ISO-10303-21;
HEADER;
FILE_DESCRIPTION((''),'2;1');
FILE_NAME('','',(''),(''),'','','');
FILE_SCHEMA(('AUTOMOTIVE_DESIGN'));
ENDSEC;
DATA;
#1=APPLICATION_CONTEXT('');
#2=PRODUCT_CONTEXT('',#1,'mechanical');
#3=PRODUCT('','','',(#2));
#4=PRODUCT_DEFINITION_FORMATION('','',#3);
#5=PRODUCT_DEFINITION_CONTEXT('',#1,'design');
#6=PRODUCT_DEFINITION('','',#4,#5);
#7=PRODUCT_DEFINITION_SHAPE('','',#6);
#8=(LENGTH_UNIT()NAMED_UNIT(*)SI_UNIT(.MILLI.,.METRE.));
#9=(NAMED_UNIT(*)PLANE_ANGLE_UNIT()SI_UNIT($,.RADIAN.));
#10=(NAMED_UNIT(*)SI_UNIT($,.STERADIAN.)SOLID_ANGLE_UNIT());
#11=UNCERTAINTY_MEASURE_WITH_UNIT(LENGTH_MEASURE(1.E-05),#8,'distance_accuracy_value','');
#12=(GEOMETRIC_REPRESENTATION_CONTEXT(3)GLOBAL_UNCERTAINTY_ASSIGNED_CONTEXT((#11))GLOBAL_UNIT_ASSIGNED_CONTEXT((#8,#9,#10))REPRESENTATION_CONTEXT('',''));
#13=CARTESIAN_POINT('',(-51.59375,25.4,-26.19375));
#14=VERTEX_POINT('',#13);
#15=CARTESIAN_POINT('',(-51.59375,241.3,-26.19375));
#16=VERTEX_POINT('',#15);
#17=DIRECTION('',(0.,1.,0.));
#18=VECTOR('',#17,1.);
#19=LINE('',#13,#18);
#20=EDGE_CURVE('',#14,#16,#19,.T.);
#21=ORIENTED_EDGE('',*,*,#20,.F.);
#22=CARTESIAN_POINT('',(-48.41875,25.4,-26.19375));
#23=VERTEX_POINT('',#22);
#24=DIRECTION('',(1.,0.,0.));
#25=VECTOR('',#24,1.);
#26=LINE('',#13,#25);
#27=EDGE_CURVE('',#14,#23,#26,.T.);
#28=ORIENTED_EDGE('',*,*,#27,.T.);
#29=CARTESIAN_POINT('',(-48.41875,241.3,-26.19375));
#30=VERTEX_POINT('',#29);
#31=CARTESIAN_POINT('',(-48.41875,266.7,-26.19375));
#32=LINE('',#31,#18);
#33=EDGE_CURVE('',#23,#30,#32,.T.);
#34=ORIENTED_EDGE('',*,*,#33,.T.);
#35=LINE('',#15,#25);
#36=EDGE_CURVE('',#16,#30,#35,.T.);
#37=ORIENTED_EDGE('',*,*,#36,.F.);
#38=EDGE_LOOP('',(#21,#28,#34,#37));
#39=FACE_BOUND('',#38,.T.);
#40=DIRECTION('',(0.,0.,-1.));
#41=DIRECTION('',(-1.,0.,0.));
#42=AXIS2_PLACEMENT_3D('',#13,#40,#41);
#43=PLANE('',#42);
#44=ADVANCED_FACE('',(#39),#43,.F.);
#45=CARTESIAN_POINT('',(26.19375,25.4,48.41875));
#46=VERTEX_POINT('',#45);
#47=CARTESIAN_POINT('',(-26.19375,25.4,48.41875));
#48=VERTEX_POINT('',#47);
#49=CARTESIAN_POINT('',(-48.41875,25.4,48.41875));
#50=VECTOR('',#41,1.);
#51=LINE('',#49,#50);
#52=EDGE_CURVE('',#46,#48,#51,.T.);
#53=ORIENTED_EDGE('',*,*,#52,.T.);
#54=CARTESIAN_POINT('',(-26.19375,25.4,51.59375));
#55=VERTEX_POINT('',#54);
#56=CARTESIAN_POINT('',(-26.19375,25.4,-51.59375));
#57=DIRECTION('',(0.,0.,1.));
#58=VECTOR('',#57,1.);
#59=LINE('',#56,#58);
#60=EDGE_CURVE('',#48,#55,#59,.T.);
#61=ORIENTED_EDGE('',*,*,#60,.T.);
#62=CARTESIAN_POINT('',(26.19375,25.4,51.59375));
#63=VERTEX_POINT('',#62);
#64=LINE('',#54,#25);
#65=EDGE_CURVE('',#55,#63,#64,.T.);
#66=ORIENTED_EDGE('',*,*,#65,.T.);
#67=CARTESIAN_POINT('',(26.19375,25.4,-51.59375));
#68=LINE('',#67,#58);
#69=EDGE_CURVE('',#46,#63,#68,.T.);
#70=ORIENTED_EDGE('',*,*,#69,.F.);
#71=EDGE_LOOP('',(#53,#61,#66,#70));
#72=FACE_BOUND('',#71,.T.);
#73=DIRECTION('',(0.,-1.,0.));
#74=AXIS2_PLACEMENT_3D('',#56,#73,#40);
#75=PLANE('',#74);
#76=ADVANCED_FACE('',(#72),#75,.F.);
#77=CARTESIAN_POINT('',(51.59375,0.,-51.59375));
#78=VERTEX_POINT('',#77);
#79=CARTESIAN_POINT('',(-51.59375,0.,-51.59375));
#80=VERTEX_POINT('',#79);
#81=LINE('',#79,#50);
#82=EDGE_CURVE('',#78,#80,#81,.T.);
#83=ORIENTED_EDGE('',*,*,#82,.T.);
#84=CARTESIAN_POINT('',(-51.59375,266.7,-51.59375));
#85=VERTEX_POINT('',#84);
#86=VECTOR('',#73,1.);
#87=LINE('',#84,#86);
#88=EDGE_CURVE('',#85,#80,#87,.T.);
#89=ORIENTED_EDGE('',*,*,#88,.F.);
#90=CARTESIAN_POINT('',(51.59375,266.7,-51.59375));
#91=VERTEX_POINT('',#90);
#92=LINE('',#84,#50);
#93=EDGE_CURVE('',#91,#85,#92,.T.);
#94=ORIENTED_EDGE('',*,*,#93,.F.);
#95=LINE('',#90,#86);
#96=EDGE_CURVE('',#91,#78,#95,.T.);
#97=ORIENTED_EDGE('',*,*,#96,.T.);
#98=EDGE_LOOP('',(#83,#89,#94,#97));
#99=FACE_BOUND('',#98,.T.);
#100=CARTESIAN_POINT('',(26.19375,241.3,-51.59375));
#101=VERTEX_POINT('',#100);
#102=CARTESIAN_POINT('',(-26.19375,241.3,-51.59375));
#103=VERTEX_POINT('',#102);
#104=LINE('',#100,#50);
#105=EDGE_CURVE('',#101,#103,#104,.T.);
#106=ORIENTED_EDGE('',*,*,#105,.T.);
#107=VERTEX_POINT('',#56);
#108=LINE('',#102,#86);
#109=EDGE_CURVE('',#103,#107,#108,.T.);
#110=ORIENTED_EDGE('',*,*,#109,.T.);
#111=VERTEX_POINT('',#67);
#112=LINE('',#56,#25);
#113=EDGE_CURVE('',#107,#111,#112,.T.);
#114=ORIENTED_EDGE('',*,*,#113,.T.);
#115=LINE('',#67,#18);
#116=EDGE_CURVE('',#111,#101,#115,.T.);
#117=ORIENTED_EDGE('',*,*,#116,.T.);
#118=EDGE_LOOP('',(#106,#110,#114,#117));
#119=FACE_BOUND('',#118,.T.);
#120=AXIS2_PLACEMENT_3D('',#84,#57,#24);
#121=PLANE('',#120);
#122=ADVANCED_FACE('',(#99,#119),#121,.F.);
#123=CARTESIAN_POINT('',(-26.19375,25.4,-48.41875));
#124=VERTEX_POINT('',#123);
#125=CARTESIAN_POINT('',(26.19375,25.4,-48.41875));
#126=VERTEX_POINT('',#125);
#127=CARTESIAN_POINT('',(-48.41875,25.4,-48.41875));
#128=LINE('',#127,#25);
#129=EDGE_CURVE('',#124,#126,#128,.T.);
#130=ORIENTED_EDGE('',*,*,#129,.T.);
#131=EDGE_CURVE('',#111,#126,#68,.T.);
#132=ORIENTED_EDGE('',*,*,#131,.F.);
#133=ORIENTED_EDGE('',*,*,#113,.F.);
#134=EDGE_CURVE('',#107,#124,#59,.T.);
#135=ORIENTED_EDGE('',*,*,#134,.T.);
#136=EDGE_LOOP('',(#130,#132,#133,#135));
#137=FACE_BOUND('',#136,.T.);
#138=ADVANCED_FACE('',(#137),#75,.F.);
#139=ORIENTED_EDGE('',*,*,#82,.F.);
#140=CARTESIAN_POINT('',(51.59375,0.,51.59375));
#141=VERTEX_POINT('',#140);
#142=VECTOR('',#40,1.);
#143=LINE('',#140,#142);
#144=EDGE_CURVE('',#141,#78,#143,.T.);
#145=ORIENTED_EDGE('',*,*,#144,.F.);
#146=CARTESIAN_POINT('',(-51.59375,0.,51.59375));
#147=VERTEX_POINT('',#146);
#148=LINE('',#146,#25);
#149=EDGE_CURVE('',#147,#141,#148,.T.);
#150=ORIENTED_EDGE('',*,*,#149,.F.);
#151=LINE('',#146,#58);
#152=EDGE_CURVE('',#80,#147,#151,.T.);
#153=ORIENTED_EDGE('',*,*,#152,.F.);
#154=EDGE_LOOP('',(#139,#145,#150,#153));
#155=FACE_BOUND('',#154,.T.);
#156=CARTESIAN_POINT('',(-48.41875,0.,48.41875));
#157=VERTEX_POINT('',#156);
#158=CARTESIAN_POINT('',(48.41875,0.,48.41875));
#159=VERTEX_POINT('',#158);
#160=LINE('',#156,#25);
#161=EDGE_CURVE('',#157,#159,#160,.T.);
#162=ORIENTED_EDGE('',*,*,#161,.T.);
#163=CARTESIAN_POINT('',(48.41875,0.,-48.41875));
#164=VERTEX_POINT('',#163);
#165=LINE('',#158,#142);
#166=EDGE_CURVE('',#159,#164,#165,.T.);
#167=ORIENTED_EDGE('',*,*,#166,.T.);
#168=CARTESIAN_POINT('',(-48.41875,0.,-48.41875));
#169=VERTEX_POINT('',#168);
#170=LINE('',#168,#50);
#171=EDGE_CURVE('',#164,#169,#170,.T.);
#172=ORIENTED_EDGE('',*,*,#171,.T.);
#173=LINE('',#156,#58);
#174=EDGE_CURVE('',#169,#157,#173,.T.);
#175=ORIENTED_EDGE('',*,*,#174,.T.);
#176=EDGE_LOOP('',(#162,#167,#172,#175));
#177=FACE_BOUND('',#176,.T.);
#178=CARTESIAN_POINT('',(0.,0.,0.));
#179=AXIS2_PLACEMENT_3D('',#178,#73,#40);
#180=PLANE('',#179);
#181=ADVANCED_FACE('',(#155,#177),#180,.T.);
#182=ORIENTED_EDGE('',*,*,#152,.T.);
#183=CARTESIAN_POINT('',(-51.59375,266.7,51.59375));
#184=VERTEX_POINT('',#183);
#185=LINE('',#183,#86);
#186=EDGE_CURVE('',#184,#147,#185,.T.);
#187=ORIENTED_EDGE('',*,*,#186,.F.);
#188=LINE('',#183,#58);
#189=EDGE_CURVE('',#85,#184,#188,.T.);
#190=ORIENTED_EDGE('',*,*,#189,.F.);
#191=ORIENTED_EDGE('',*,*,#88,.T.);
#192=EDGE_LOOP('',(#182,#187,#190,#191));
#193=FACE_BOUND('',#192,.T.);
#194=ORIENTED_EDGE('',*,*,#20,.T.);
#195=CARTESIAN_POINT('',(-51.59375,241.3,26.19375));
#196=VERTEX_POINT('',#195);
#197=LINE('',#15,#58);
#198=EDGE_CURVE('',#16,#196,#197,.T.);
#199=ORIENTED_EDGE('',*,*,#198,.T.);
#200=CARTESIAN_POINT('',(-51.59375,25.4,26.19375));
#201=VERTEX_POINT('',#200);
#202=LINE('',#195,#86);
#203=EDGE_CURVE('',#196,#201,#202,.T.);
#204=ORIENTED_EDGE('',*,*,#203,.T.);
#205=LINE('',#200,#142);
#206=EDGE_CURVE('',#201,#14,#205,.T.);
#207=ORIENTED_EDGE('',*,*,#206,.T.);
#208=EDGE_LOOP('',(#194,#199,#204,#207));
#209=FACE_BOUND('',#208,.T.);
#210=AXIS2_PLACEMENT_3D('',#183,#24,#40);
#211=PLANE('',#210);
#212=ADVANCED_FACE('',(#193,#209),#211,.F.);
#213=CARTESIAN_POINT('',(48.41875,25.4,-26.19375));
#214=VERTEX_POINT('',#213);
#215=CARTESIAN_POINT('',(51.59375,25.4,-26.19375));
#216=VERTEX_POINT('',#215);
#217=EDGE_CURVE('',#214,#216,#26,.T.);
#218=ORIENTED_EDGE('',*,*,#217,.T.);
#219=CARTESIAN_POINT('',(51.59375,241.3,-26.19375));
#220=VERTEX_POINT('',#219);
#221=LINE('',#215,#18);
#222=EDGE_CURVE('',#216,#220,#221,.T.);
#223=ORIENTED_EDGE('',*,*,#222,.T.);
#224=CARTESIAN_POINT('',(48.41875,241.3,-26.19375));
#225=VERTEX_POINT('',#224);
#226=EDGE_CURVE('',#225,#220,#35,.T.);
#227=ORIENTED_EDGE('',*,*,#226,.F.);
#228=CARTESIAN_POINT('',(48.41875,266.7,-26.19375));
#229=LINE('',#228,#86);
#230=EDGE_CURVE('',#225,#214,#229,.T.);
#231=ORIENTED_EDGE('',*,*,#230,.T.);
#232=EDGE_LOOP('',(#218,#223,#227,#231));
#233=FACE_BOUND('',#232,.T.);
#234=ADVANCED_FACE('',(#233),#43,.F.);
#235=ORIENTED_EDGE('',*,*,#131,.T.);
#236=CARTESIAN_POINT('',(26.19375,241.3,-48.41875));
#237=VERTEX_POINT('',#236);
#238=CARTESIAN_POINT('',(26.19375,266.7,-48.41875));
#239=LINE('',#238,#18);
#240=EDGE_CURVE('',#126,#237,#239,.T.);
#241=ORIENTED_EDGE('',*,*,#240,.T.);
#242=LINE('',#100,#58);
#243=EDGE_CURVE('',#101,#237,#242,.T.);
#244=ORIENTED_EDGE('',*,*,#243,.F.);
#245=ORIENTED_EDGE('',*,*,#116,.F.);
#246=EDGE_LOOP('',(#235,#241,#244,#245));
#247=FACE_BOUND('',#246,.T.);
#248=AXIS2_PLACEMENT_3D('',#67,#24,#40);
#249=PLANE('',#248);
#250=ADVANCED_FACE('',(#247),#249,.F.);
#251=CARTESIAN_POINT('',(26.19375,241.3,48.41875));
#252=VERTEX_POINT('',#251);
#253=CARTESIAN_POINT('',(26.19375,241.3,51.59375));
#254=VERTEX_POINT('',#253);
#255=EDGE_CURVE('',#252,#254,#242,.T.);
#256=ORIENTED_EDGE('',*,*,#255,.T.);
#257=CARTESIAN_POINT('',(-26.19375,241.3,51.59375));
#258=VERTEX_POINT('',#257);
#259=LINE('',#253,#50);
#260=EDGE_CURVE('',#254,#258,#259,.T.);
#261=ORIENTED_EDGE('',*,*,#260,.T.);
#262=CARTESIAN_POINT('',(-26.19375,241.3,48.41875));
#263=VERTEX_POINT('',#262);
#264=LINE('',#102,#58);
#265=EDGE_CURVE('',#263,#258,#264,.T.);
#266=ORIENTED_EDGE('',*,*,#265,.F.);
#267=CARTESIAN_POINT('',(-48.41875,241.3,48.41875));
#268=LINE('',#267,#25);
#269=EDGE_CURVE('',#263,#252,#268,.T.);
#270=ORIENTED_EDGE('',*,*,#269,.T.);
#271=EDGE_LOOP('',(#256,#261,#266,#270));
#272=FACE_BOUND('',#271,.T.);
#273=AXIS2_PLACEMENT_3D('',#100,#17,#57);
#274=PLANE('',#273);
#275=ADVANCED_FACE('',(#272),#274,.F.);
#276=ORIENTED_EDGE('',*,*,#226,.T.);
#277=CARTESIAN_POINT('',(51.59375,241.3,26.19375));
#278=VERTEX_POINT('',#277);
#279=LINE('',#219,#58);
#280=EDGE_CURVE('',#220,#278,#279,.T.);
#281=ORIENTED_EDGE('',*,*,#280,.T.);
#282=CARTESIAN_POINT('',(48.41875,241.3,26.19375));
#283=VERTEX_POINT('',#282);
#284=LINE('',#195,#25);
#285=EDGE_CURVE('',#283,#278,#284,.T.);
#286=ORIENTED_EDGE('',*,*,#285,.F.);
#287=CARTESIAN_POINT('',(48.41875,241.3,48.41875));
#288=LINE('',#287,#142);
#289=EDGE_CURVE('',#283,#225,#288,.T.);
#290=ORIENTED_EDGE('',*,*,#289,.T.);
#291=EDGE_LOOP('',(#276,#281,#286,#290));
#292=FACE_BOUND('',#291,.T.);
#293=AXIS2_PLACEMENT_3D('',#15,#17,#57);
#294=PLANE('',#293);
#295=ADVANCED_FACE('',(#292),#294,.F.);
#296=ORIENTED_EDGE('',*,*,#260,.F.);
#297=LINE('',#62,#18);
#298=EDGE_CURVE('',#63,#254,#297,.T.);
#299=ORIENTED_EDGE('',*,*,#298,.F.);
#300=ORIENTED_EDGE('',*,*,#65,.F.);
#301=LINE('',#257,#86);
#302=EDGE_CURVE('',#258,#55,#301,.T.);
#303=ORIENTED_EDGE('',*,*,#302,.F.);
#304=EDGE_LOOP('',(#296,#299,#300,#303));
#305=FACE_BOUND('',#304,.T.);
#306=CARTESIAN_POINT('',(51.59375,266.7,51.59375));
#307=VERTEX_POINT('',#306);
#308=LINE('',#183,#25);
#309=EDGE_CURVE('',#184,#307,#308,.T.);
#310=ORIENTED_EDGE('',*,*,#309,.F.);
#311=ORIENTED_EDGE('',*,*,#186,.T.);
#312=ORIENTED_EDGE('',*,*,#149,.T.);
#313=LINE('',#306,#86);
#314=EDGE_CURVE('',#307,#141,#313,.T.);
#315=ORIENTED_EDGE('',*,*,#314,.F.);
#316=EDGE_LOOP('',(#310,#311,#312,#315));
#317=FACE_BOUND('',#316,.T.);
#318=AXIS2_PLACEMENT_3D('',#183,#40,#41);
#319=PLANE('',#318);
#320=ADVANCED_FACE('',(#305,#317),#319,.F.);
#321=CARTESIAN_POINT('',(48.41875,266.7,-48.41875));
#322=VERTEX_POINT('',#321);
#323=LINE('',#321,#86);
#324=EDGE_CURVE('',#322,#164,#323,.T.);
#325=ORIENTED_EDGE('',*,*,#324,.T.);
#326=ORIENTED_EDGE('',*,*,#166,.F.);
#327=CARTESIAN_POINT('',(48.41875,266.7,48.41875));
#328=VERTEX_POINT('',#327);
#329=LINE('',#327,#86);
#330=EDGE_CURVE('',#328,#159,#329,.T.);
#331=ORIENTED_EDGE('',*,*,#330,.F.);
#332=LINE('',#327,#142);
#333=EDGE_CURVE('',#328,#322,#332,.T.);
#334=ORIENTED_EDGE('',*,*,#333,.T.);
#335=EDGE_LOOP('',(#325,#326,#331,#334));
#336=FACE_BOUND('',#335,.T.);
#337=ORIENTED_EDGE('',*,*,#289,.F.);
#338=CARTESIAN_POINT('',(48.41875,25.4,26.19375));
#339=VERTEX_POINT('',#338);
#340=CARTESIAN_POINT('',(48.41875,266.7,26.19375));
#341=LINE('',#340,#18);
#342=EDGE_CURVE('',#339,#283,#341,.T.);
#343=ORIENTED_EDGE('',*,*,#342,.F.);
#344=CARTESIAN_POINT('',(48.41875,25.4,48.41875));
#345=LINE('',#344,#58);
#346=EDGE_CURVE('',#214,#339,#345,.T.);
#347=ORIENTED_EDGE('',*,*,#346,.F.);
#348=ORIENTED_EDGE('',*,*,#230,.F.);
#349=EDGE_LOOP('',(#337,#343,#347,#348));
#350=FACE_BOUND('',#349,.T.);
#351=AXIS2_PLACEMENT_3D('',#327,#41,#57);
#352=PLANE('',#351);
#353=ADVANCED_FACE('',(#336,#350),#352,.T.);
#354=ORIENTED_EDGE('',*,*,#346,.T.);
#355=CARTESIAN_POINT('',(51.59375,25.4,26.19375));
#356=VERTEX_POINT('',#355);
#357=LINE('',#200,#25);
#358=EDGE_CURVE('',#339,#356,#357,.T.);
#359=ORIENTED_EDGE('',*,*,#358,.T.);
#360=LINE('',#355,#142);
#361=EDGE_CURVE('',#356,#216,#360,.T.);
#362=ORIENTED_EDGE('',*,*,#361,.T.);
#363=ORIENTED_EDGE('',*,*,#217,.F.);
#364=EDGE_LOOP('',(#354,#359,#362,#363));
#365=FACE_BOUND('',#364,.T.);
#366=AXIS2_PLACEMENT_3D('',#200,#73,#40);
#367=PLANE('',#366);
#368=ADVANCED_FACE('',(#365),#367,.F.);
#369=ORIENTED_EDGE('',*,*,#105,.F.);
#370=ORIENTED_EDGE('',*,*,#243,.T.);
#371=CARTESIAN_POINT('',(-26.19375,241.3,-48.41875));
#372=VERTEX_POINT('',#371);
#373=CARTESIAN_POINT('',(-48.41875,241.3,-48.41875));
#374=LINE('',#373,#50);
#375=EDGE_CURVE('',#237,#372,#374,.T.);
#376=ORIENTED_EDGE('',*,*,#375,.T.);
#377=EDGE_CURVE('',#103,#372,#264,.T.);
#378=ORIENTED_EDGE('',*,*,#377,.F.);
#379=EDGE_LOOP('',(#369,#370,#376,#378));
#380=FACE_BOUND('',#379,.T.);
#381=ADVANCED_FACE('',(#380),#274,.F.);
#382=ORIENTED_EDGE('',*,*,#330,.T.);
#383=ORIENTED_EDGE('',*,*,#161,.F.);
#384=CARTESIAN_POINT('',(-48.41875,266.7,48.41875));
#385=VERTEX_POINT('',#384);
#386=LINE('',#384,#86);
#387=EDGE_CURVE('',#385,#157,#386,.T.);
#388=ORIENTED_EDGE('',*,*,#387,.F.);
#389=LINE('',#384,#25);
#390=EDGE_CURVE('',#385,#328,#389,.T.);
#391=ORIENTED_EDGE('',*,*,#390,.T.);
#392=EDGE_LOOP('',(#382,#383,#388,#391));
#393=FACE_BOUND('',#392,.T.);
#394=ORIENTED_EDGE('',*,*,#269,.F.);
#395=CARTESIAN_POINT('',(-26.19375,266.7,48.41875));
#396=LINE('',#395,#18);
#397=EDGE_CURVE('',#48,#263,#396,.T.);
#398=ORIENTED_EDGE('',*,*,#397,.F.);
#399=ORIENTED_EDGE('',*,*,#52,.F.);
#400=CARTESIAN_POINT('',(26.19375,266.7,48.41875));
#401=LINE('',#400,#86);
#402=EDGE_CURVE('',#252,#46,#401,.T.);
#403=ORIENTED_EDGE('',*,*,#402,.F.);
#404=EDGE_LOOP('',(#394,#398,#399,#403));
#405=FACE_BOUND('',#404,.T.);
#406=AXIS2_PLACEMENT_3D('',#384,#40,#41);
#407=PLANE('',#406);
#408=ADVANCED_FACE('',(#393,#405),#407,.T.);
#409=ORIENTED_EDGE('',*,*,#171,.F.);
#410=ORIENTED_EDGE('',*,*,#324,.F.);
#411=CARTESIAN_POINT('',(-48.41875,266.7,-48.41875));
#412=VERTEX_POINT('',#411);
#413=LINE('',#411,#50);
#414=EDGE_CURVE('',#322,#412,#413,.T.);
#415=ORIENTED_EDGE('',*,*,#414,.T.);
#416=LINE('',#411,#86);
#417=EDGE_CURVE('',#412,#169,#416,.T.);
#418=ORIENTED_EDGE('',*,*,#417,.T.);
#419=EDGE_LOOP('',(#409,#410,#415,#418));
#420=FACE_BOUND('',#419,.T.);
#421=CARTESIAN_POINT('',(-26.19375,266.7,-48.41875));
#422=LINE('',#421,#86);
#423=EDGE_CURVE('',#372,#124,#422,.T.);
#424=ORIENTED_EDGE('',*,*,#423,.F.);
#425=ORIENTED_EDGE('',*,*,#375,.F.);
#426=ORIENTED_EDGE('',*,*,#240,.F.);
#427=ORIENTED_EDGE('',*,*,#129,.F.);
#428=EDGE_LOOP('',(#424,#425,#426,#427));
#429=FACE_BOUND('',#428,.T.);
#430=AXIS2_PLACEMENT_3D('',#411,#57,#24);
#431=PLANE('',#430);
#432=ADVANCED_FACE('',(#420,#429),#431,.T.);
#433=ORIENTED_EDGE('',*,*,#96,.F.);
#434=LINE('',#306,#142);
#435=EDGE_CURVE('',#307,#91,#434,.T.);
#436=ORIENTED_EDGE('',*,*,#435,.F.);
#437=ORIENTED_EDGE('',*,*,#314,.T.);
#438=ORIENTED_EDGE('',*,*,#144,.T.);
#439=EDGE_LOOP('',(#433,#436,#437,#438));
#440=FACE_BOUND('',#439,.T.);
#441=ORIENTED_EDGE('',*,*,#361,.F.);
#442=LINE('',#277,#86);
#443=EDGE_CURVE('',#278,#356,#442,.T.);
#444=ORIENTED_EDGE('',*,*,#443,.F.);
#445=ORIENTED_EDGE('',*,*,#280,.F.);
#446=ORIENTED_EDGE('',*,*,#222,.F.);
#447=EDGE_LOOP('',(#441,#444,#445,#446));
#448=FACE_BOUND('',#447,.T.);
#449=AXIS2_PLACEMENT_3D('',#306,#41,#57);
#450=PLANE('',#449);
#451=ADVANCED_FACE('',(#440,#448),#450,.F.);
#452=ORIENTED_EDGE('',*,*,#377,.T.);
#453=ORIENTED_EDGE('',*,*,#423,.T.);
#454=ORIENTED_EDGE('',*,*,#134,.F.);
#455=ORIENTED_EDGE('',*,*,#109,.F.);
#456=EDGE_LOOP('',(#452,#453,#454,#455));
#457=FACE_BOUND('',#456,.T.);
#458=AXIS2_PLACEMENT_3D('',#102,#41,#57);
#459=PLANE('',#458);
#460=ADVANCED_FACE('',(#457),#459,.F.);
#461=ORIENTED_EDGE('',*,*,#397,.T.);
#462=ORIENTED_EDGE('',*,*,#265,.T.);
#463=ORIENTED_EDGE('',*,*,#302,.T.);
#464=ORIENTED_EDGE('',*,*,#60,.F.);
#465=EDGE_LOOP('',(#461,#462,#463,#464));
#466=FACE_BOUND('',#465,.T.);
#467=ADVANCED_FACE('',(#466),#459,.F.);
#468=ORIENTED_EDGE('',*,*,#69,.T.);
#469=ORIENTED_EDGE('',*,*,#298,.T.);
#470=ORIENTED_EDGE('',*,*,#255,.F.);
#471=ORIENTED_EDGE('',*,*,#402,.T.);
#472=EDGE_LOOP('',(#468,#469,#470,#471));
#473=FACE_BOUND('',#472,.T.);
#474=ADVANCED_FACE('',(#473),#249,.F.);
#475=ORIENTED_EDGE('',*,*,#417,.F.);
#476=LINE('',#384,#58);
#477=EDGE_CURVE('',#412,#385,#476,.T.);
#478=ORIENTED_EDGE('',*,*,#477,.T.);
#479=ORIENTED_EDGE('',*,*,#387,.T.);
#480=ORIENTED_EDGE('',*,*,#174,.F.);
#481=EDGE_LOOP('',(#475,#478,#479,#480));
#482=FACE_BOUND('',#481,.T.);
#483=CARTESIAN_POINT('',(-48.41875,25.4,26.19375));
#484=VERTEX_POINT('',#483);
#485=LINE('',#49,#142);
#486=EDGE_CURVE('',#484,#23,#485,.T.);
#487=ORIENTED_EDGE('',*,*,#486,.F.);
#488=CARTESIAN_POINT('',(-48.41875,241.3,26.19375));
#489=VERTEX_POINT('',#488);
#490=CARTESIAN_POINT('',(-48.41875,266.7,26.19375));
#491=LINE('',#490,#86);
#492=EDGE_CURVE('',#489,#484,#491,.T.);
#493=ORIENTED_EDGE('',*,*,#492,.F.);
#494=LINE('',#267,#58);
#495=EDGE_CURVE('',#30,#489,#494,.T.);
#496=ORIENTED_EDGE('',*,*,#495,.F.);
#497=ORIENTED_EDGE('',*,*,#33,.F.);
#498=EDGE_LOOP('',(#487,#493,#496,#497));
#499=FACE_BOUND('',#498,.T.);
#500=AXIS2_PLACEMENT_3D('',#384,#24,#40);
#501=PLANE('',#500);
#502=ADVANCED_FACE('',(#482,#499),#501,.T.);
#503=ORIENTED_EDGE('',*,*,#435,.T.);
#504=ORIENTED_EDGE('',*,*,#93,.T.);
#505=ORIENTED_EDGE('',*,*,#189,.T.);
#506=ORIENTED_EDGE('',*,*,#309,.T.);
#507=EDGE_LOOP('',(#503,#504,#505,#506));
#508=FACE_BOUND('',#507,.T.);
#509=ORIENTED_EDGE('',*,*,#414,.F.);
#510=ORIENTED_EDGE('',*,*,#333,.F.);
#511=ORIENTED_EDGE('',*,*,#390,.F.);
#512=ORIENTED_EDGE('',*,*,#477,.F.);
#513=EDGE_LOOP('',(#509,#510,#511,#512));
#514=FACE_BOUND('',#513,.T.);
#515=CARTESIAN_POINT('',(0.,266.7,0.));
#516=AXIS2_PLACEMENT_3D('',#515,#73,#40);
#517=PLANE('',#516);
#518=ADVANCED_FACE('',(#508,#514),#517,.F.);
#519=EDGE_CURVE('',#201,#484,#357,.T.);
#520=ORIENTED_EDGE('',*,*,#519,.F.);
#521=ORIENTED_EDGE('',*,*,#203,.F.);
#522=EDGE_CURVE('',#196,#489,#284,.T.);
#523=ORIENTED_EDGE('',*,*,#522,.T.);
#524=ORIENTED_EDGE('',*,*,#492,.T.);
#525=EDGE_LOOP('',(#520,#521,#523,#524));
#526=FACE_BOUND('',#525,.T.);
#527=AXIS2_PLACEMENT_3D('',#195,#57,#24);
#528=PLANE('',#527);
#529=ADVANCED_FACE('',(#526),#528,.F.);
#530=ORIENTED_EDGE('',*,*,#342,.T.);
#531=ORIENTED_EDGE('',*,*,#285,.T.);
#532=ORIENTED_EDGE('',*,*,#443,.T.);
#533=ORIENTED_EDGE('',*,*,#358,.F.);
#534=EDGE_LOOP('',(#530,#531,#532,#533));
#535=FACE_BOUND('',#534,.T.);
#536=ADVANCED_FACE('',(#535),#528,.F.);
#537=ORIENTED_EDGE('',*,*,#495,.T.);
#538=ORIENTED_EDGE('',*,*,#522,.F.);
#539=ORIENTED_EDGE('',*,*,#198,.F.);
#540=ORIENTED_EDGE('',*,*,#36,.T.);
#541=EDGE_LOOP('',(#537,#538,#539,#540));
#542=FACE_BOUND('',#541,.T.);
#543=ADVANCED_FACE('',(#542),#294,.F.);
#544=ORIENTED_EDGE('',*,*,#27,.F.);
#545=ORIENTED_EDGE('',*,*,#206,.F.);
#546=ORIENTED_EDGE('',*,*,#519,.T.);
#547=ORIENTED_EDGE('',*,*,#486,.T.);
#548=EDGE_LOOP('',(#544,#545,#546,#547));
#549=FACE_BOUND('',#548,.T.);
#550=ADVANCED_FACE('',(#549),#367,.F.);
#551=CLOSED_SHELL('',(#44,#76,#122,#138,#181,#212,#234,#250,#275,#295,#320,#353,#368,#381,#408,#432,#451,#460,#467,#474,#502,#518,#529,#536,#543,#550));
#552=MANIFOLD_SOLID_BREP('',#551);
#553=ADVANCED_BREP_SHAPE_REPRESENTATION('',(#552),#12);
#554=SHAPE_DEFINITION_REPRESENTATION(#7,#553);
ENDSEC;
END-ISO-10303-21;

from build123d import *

# Parameters (mm, degrees)
SKETCH1_W               = 103.1875
SKETCH1_H               = 103.1875
SKETCH1_W_2             = 96.8375
SKETCH1_H_2             = 96.8375
BOSS_EXTRUDE1_DEPTH     = 266.7
SKETCH2_W               = 52.3875
SKETCH2_H               = 215.9
CUT_EXTRUDE2_DEPTH      = 52.59375
CUT_EXTRUDE2_DEPTH_BACK = 52.59375
SKETCH3_W               = 52.3875
SKETCH3_H               = 215.9
CUT_EXTRUDE3_DEPTH      = 52.59375
CUT_EXTRUDE3_DEPTH_BACK = 52.59375


with BuildPart() as part:
    # Sketch1 → Boss-Extrude1 (new body)
    with BuildSketch(Plane(origin=(0, 0, 0), x_dir=(1, 0, 0), z_dir=(0, 1, 0))):
        Rectangle(SKETCH1_W, SKETCH1_H)
        Rectangle(SKETCH1_W_2, SKETCH1_H_2, mode=Mode.SUBTRACT)
    extrude(amount=BOSS_EXTRUDE1_DEPTH)

    # Sketch2 → Cut-Extrude2 (cut, two sides)
    with BuildSketch(Plane.XY) as cut_extrude2_sk:
        with Locations((0, 133.35)):
            Rectangle(SKETCH2_W, SKETCH2_H)
    extrude(amount=CUT_EXTRUDE2_DEPTH, mode=Mode.SUBTRACT)
    extrude(cut_extrude2_sk.sketch, amount=-CUT_EXTRUDE2_DEPTH_BACK, mode=Mode.SUBTRACT)

    # Sketch3 → Cut-Extrude3 (cut, two sides)
    with BuildSketch(Plane(origin=(0, 0, 0), x_dir=(0, 0, -1), z_dir=(1, 0, 0))) as cut_extrude3_sk:
        with Locations((0, 133.35)):
            Rectangle(SKETCH3_W, SKETCH3_H)
    extrude(amount=CUT_EXTRUDE3_DEPTH, mode=Mode.SUBTRACT)
    extrude(cut_extrude3_sk.sketch, amount=-CUT_EXTRUDE3_DEPTH_BACK, mode=Mode.SUBTRACT)


solid = part.part
